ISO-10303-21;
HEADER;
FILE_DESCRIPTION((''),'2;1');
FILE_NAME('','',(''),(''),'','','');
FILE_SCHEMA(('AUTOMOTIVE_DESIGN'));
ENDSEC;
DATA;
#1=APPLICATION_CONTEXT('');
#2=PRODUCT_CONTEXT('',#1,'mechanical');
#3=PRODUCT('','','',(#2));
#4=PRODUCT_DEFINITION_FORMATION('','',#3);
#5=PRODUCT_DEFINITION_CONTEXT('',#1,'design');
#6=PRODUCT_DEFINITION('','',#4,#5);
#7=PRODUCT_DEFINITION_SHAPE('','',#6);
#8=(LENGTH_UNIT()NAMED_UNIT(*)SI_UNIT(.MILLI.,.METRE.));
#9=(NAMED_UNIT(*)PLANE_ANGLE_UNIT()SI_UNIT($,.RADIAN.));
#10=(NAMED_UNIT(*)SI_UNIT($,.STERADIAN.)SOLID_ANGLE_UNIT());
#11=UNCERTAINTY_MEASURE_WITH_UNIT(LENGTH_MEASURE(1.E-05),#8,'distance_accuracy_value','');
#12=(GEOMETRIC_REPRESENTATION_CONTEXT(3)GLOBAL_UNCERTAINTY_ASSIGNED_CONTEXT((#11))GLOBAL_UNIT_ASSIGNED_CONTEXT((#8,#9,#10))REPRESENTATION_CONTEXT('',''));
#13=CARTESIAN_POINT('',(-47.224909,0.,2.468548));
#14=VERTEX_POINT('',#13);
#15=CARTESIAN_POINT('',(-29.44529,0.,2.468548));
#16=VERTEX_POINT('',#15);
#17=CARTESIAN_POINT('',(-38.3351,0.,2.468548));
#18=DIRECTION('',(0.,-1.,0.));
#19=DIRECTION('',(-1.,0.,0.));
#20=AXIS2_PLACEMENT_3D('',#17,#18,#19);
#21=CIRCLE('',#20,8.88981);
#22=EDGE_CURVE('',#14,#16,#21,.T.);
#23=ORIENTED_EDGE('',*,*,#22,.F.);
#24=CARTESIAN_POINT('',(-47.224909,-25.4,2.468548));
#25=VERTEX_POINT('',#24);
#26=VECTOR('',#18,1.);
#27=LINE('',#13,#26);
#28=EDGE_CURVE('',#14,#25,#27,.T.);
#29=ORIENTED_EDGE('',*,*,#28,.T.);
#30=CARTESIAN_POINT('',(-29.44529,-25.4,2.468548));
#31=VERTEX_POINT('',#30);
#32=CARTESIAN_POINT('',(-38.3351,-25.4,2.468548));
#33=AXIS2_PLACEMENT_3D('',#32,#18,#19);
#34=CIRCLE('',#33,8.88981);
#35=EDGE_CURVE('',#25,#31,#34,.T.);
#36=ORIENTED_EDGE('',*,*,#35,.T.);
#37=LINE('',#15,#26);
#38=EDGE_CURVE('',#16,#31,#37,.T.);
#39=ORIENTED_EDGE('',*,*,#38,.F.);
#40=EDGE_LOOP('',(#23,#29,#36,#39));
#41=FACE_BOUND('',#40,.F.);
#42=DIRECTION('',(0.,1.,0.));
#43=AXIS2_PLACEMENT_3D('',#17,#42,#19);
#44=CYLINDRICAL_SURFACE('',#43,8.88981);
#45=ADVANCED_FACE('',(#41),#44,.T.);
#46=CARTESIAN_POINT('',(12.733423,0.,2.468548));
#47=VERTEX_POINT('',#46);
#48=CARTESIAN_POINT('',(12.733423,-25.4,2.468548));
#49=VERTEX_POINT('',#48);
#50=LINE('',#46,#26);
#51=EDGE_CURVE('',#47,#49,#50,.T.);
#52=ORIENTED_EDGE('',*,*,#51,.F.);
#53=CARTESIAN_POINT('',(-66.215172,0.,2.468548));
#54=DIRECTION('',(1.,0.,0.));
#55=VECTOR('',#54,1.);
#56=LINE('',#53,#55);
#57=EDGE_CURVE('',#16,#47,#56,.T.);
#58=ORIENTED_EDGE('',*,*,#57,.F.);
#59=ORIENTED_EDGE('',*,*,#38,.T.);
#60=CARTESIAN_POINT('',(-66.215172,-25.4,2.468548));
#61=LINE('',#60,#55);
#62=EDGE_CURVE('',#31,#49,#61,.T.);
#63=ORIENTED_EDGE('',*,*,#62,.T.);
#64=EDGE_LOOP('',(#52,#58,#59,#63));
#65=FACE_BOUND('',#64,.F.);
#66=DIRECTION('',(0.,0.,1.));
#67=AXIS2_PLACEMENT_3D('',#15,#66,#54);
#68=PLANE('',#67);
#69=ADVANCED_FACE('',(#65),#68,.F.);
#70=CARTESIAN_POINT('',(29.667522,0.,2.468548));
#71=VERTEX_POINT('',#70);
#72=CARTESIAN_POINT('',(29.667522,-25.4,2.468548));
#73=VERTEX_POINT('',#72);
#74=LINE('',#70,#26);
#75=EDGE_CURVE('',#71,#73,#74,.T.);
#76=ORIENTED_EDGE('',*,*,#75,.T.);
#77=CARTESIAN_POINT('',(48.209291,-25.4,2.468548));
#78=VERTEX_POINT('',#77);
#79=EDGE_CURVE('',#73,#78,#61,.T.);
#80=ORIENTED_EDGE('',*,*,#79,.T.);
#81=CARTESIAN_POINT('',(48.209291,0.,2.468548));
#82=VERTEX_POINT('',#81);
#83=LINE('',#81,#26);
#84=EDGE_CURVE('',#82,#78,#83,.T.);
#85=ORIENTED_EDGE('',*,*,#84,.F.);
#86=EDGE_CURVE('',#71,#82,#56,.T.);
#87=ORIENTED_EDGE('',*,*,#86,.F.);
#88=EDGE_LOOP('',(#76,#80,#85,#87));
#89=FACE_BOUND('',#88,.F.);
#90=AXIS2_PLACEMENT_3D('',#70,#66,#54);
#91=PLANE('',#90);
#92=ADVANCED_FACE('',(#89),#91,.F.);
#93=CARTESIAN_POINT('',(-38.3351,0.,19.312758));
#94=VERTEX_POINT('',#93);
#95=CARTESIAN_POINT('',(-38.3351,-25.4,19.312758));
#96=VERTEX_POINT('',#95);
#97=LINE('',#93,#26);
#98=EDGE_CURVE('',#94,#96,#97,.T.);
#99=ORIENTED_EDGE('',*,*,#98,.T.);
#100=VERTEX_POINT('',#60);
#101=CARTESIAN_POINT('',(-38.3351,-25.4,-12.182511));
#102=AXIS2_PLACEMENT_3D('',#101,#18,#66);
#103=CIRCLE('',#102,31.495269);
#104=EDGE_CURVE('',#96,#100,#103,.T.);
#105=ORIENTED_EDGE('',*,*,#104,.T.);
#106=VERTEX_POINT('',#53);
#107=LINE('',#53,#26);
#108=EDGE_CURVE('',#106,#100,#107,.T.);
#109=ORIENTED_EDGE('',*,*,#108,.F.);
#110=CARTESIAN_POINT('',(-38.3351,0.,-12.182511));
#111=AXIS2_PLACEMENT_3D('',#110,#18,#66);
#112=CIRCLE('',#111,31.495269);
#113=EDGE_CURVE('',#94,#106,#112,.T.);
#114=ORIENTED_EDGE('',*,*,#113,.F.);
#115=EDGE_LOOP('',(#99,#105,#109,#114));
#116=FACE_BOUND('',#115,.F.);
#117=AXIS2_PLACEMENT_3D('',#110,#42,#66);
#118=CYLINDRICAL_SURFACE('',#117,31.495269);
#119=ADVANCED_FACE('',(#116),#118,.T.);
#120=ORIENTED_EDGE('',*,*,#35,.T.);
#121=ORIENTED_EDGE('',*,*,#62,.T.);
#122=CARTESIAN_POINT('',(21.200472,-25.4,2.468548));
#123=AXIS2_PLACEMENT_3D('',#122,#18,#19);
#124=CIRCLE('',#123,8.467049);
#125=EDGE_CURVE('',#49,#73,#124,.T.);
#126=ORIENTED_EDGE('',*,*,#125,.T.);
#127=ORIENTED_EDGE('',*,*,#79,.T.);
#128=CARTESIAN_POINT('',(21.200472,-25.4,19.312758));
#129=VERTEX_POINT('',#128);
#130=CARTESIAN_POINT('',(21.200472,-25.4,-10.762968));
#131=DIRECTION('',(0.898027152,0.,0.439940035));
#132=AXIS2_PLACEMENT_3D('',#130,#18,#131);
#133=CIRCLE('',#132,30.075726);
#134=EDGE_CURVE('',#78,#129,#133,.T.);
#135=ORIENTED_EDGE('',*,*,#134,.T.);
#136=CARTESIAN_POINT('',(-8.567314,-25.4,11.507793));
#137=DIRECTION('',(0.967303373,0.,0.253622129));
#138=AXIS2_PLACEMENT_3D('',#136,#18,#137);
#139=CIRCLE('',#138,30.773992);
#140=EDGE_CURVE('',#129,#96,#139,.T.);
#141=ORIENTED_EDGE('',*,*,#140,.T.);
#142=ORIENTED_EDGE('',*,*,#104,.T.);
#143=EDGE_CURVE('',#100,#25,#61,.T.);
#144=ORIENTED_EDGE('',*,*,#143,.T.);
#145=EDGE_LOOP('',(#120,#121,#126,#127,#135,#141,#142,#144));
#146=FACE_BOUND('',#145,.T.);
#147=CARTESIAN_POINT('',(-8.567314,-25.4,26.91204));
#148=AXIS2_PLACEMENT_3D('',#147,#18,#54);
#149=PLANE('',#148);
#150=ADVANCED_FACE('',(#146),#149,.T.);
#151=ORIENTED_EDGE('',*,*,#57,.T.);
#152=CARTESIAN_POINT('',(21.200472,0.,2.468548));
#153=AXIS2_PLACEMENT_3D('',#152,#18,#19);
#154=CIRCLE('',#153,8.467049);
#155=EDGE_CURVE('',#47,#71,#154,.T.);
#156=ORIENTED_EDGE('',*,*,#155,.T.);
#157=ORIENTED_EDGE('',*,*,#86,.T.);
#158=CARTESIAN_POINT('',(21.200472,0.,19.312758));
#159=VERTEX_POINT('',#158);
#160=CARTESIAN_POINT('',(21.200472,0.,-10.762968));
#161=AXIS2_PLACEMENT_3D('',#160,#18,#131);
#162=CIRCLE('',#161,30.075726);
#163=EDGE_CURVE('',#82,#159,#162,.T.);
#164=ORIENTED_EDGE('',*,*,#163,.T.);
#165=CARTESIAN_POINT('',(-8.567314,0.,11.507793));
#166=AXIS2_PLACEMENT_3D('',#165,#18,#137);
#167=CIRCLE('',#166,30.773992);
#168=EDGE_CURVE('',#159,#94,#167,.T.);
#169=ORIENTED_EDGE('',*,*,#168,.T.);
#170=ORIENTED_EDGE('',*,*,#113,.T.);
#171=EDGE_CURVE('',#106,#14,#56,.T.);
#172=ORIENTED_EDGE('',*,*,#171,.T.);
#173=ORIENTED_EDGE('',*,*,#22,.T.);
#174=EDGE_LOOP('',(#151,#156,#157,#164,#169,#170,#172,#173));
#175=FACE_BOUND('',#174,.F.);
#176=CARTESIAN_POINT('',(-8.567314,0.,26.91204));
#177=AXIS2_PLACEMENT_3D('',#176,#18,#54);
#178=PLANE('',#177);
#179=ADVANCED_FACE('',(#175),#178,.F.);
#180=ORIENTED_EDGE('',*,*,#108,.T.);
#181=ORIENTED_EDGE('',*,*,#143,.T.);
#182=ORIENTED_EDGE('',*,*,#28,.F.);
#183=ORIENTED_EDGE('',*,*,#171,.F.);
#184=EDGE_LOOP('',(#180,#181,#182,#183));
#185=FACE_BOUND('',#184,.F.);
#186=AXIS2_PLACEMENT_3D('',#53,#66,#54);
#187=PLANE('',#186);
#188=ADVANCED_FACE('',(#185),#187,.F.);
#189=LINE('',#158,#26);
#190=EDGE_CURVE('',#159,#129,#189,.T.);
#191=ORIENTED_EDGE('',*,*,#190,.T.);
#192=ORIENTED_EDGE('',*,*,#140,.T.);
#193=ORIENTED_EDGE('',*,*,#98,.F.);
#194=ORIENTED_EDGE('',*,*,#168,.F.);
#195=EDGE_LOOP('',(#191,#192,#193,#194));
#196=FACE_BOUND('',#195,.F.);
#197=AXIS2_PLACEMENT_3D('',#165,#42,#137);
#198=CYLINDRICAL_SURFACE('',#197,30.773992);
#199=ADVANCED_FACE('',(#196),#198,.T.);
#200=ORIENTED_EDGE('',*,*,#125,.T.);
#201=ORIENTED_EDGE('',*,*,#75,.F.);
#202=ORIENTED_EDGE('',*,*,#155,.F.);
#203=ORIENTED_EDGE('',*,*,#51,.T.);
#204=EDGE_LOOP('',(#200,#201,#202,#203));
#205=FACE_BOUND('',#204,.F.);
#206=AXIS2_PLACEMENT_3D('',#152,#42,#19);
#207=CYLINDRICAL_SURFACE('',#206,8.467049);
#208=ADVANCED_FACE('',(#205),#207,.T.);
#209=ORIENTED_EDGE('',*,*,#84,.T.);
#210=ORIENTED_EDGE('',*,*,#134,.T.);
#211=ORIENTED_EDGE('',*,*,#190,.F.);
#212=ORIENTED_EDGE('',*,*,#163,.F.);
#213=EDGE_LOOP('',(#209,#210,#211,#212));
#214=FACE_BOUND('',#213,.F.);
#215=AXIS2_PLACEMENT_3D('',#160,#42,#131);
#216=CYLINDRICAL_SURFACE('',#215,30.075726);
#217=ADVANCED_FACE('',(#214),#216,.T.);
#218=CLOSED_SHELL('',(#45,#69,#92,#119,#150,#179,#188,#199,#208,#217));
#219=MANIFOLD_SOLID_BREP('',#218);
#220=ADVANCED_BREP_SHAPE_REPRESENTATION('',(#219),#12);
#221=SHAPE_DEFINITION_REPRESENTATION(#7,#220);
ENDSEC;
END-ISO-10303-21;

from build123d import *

# Parameters (mm, degrees)
F1_DEPTH = 25.4


with BuildPart() as f1:
    # F0 (on Front) → F1 (new body)
    with BuildSketch(Plane.XZ):
        with BuildLine():
            ThreePointArc((21.200472489, 19.3127579987), (-8.5673136637, 42.2817845397), (-38.3350998163, 19.3127579987))
            Line((-38.3350998163, 19.3127579987), (21.200472489, 19.3127579987))
        make_face()
        with BuildLine():
            Line((21.200472489, 19.3127579987), (-38.3350998163, 19.3127579987))
            Line((-38.3350998163, 19.3127579987), (-38.3350998163, 11.3583576339))
            ThreePointArc((-38.3350998163, 11.3583576339), (-32.0490551525, 8.7545926804), (-29.4452901991, 2.4685480166))
            Line((-29.4452901991, 2.4685480166), (12.7334234435, 2.4685480166))
            ThreePointArc((12.7334234435, 2.4685480166), (15.2133646923, 8.4556558134), (21.200472489, 10.9355970622))
            Line((21.200472489, 10.9355970622), (21.200472489, 19.3127579987))
        make_face()
        with BuildLine():
            Line((-38.3350998163, 11.3583576339), (-38.3350998163, 19.3127579987))
            ThreePointArc((-38.3350998163, 19.3127579987), (-54.62179575, 14.7747794285), (-66.21517241, 2.4685480166))
            Line((-66.21517241, 2.4685480166), (-47.2249094336, 2.4685480166))
            ThreePointArc((-47.2249094336, 2.4685480166), (-44.6211444801, 8.7545926804), (-38.3350998163, 11.3583576339))
        make_face()
        with BuildLine():
            ThreePointArc((48.2092909515, 2.4685480166), (37.1159027743, 14.7566004179), (21.200472489, 19.3127579987))
            Line((21.200472489, 19.3127579987), (21.200472489, 10.9355970622))
            ThreePointArc((21.200472489, 10.9355970622), (27.1875802857, 8.4556558134), (29.6675215345, 2.4685480166))
            Line((29.6675215345, 2.4685480166), (48.2092909515, 2.4685480166))
        make_face()
        with BuildLine():
            ThreePointArc((-29.4452901991, 2.4685480166), (-32.0490551525, 8.7545926804), (-38.3350998163, 11.3583576339))
            Line((-38.3350998163, 11.3583576339), (-38.3350998163, 2.4685480166))
            Line((-38.3350998163, 2.4685480166), (-29.4452901991, 2.4685480166))
        make_face()
        with BuildLine():
            Line((-38.3350998163, 2.4685480166), (-38.3350998163, 11.3583576339))
            ThreePointArc((-38.3350998163, 11.3583576339), (-44.6211444801, 8.7545926804), (-47.2249094336, 2.4685480166))
            Line((-47.2249094336, 2.4685480166), (-38.3350998163, 2.4685480166))
        make_face()
        with BuildLine():
            ThreePointArc((29.6675215345, 2.4685480166), (27.1875802857, 8.4556558134), (21.200472489, 10.9355970622))
            Line((21.200472489, 10.9355970622), (21.200472489, 2.4685480166))
            Line((21.200472489, 2.4685480166), (29.6675215345, 2.4685480166))
        make_face()
        with BuildLine():
            Line((21.200472489, 2.4685480166), (21.200472489, 10.9355970622))
            ThreePointArc((21.200472489, 10.9355970622), (15.2133646923, 8.4556558134), (12.7334234435, 2.4685480166))
            Line((12.7334234435, 2.4685480166), (21.200472489, 2.4685480166))
        make_face()
        with BuildLine():
            Line((-29.4452901991, 2.4685480166), (-38.3350998163, 2.4685480166))
            Line((-38.3350998163, 2.4685480166), (-47.2249094336, 2.4685480166))
            ThreePointArc((-47.2249094336, 2.4685480166), (-38.3350998163, -6.4212616006), (-29.4452901991, 2.4685480166))
        make_face()
        with BuildLine():
            Line((29.6675215345, 2.4685480166), (21.200472489, 2.4685480166))
            Line((21.200472489, 2.4685480166), (12.7334234435, 2.4685480166))
            ThreePointArc((12.7334234435, 2.4685480166), (21.200472489, -5.9985010289), (29.6675215345, 2.4685480166))
        make_face()
    extrude(amount=F1_DEPTH)


solid = f1.part
